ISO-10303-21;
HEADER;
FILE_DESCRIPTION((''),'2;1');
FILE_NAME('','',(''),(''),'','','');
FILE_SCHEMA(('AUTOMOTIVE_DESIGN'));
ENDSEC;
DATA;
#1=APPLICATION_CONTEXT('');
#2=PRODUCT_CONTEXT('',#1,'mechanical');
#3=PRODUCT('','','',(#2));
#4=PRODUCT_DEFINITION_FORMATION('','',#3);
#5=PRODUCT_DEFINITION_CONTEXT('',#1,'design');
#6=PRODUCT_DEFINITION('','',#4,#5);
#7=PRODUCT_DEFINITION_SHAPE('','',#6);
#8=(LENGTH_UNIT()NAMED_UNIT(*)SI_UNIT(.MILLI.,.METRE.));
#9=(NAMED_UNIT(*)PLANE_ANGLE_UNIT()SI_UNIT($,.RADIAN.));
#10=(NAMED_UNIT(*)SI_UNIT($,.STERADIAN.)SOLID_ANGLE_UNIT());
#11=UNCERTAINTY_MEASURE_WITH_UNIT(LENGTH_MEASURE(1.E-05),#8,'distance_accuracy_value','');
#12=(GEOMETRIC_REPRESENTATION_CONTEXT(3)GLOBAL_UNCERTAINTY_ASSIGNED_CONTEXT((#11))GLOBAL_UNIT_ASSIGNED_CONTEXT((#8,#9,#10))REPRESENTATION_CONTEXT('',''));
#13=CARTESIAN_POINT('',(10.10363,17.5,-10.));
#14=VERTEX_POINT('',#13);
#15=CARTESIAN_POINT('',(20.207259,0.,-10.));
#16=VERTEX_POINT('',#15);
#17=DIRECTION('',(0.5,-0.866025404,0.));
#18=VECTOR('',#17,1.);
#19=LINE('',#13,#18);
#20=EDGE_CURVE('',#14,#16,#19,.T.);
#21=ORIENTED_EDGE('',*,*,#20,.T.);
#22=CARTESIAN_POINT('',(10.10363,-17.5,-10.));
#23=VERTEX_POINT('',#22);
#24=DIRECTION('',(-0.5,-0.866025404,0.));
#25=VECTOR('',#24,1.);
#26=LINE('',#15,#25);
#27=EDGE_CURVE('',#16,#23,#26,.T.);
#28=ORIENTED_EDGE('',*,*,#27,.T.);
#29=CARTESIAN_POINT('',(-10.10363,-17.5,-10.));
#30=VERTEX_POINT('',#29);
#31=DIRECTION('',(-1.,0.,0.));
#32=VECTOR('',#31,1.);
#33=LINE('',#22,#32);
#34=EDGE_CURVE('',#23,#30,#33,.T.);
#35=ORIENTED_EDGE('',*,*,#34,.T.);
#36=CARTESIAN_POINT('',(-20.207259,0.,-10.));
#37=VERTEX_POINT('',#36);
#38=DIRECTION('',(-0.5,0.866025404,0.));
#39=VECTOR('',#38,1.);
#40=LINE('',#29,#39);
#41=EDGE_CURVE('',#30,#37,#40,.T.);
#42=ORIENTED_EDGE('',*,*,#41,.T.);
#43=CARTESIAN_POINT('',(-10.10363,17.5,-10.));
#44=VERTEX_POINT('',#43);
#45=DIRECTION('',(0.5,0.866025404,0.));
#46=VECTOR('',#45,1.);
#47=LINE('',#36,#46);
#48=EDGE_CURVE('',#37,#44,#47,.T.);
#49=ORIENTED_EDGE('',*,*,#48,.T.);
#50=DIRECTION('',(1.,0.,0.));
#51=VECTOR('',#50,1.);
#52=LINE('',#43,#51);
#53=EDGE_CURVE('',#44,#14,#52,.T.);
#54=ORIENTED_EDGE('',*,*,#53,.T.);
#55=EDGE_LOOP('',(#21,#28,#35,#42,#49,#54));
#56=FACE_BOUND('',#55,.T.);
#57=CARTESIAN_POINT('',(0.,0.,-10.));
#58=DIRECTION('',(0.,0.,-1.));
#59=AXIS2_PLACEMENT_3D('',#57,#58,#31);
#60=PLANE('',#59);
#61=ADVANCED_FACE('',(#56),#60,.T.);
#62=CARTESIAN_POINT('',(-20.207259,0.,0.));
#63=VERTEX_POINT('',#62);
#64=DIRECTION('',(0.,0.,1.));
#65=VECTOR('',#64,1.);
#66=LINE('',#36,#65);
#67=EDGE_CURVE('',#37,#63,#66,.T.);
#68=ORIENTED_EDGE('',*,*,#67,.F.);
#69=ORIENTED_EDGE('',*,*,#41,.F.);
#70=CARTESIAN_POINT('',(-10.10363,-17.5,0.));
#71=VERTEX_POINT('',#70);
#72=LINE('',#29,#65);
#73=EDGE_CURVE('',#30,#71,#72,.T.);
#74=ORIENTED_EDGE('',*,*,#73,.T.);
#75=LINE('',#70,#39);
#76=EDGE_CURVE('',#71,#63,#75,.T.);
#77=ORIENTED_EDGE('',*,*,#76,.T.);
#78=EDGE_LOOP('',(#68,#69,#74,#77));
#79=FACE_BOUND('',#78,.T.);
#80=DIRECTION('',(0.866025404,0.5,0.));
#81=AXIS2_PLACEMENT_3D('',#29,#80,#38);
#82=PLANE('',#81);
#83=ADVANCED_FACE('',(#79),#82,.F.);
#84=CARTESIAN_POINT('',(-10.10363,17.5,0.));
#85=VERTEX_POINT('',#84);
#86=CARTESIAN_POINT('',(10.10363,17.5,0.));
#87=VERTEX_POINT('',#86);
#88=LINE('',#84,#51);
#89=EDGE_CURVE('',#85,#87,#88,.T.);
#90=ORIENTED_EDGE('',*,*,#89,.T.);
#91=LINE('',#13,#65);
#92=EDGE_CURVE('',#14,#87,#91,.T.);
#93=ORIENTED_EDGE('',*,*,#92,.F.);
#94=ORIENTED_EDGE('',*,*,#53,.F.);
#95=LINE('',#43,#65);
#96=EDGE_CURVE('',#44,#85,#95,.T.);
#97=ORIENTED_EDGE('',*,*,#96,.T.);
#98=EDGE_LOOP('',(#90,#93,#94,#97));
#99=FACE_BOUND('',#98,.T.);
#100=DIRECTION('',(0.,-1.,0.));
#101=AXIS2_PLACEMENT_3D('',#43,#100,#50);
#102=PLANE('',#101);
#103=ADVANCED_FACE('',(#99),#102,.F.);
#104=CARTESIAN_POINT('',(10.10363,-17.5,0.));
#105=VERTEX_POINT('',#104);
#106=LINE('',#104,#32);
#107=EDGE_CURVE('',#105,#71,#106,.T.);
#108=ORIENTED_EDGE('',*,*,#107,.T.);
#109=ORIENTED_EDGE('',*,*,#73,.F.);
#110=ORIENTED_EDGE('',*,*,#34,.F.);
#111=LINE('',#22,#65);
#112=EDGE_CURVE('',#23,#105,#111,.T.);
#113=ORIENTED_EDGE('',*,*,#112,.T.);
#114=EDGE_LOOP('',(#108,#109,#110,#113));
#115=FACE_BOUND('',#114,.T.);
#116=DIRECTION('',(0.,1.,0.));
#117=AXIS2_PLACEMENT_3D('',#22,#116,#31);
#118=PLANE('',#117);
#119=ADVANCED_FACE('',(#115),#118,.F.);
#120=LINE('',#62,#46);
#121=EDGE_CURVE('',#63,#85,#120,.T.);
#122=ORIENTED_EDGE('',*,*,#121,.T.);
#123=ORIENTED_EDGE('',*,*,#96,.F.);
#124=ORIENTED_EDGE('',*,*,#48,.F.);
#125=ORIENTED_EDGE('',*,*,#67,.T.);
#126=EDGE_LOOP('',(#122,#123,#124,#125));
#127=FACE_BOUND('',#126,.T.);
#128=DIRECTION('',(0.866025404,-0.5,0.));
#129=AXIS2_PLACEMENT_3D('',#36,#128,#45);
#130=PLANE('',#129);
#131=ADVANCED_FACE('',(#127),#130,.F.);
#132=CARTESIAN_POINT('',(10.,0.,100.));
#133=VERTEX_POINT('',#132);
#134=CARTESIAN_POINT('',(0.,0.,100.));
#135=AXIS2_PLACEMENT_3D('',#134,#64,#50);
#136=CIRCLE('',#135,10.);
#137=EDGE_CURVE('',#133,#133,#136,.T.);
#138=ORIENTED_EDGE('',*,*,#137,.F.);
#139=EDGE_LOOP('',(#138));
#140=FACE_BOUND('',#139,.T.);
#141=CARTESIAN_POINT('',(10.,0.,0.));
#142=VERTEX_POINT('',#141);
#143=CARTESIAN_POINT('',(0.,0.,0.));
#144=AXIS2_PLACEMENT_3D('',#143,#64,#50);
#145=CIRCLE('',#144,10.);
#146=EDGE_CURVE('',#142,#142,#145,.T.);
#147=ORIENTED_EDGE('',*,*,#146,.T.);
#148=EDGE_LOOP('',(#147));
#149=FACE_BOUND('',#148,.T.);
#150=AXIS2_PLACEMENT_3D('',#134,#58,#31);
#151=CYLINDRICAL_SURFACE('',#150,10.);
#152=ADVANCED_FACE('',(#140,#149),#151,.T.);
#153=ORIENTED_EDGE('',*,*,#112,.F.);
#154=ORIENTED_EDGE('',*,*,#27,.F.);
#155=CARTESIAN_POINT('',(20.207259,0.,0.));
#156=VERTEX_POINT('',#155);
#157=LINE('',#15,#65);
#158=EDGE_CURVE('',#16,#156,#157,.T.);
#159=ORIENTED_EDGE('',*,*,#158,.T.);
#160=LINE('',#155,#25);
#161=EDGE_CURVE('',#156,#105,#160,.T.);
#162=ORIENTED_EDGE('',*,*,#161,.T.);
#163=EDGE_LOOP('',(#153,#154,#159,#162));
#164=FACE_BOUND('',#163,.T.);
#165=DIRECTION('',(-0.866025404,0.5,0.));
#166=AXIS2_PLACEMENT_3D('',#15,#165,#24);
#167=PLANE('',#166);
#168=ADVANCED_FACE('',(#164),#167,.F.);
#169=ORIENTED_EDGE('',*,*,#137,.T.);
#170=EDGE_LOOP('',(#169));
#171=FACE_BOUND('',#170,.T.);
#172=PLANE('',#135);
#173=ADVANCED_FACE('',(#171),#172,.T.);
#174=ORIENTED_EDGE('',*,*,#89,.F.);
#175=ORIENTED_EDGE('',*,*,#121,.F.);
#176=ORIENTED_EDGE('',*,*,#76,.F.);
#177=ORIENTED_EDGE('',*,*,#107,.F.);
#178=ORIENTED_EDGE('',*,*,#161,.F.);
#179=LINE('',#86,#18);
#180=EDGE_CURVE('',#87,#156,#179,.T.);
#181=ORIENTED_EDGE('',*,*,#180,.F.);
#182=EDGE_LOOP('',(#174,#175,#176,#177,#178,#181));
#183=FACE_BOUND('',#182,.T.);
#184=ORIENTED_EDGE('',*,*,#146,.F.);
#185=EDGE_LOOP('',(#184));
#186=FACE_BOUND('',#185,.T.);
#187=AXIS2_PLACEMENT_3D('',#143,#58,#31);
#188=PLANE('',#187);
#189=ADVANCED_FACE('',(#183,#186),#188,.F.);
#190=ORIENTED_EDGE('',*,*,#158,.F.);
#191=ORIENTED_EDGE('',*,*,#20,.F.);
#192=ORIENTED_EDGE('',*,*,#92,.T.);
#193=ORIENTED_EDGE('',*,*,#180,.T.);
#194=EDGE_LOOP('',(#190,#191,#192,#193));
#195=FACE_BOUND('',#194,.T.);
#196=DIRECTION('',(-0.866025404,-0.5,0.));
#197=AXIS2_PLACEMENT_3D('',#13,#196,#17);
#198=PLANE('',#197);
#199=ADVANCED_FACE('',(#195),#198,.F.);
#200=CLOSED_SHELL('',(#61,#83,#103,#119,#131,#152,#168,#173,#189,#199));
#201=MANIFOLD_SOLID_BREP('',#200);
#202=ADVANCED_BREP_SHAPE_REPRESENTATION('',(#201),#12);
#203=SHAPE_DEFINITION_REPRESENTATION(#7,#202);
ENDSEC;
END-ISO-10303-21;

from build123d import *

# Parameters (mm, degrees)
SKETCH1_R           = 10
BOSS_EXTRUDE1_DEPTH = 100
BOSS_EXTRUDE2_DEPTH = 10


with BuildPart() as part:
    # Sketch1 → Boss-Extrude1 (new body)
    with BuildSketch(Plane.XY):
        Circle(SKETCH1_R)
    extrude(amount=BOSS_EXTRUDE1_DEPTH)

    # Sketch3 → Boss-Extrude2 (add)
    with BuildSketch(Plane(origin=(0, 0, 0), x_dir=(-1, 0, 0), z_dir=(0, 0, -1))):
        Polygon((20.207259422, 0), (10.103629711, 17.5), (-10.103629711, 17.5), (-20.207259422, 0), (-10.103629711, -17.5), (10.103629711, -17.5), align=None)
    extrude(amount=BOSS_EXTRUDE2_DEPTH)


solid = part.part
